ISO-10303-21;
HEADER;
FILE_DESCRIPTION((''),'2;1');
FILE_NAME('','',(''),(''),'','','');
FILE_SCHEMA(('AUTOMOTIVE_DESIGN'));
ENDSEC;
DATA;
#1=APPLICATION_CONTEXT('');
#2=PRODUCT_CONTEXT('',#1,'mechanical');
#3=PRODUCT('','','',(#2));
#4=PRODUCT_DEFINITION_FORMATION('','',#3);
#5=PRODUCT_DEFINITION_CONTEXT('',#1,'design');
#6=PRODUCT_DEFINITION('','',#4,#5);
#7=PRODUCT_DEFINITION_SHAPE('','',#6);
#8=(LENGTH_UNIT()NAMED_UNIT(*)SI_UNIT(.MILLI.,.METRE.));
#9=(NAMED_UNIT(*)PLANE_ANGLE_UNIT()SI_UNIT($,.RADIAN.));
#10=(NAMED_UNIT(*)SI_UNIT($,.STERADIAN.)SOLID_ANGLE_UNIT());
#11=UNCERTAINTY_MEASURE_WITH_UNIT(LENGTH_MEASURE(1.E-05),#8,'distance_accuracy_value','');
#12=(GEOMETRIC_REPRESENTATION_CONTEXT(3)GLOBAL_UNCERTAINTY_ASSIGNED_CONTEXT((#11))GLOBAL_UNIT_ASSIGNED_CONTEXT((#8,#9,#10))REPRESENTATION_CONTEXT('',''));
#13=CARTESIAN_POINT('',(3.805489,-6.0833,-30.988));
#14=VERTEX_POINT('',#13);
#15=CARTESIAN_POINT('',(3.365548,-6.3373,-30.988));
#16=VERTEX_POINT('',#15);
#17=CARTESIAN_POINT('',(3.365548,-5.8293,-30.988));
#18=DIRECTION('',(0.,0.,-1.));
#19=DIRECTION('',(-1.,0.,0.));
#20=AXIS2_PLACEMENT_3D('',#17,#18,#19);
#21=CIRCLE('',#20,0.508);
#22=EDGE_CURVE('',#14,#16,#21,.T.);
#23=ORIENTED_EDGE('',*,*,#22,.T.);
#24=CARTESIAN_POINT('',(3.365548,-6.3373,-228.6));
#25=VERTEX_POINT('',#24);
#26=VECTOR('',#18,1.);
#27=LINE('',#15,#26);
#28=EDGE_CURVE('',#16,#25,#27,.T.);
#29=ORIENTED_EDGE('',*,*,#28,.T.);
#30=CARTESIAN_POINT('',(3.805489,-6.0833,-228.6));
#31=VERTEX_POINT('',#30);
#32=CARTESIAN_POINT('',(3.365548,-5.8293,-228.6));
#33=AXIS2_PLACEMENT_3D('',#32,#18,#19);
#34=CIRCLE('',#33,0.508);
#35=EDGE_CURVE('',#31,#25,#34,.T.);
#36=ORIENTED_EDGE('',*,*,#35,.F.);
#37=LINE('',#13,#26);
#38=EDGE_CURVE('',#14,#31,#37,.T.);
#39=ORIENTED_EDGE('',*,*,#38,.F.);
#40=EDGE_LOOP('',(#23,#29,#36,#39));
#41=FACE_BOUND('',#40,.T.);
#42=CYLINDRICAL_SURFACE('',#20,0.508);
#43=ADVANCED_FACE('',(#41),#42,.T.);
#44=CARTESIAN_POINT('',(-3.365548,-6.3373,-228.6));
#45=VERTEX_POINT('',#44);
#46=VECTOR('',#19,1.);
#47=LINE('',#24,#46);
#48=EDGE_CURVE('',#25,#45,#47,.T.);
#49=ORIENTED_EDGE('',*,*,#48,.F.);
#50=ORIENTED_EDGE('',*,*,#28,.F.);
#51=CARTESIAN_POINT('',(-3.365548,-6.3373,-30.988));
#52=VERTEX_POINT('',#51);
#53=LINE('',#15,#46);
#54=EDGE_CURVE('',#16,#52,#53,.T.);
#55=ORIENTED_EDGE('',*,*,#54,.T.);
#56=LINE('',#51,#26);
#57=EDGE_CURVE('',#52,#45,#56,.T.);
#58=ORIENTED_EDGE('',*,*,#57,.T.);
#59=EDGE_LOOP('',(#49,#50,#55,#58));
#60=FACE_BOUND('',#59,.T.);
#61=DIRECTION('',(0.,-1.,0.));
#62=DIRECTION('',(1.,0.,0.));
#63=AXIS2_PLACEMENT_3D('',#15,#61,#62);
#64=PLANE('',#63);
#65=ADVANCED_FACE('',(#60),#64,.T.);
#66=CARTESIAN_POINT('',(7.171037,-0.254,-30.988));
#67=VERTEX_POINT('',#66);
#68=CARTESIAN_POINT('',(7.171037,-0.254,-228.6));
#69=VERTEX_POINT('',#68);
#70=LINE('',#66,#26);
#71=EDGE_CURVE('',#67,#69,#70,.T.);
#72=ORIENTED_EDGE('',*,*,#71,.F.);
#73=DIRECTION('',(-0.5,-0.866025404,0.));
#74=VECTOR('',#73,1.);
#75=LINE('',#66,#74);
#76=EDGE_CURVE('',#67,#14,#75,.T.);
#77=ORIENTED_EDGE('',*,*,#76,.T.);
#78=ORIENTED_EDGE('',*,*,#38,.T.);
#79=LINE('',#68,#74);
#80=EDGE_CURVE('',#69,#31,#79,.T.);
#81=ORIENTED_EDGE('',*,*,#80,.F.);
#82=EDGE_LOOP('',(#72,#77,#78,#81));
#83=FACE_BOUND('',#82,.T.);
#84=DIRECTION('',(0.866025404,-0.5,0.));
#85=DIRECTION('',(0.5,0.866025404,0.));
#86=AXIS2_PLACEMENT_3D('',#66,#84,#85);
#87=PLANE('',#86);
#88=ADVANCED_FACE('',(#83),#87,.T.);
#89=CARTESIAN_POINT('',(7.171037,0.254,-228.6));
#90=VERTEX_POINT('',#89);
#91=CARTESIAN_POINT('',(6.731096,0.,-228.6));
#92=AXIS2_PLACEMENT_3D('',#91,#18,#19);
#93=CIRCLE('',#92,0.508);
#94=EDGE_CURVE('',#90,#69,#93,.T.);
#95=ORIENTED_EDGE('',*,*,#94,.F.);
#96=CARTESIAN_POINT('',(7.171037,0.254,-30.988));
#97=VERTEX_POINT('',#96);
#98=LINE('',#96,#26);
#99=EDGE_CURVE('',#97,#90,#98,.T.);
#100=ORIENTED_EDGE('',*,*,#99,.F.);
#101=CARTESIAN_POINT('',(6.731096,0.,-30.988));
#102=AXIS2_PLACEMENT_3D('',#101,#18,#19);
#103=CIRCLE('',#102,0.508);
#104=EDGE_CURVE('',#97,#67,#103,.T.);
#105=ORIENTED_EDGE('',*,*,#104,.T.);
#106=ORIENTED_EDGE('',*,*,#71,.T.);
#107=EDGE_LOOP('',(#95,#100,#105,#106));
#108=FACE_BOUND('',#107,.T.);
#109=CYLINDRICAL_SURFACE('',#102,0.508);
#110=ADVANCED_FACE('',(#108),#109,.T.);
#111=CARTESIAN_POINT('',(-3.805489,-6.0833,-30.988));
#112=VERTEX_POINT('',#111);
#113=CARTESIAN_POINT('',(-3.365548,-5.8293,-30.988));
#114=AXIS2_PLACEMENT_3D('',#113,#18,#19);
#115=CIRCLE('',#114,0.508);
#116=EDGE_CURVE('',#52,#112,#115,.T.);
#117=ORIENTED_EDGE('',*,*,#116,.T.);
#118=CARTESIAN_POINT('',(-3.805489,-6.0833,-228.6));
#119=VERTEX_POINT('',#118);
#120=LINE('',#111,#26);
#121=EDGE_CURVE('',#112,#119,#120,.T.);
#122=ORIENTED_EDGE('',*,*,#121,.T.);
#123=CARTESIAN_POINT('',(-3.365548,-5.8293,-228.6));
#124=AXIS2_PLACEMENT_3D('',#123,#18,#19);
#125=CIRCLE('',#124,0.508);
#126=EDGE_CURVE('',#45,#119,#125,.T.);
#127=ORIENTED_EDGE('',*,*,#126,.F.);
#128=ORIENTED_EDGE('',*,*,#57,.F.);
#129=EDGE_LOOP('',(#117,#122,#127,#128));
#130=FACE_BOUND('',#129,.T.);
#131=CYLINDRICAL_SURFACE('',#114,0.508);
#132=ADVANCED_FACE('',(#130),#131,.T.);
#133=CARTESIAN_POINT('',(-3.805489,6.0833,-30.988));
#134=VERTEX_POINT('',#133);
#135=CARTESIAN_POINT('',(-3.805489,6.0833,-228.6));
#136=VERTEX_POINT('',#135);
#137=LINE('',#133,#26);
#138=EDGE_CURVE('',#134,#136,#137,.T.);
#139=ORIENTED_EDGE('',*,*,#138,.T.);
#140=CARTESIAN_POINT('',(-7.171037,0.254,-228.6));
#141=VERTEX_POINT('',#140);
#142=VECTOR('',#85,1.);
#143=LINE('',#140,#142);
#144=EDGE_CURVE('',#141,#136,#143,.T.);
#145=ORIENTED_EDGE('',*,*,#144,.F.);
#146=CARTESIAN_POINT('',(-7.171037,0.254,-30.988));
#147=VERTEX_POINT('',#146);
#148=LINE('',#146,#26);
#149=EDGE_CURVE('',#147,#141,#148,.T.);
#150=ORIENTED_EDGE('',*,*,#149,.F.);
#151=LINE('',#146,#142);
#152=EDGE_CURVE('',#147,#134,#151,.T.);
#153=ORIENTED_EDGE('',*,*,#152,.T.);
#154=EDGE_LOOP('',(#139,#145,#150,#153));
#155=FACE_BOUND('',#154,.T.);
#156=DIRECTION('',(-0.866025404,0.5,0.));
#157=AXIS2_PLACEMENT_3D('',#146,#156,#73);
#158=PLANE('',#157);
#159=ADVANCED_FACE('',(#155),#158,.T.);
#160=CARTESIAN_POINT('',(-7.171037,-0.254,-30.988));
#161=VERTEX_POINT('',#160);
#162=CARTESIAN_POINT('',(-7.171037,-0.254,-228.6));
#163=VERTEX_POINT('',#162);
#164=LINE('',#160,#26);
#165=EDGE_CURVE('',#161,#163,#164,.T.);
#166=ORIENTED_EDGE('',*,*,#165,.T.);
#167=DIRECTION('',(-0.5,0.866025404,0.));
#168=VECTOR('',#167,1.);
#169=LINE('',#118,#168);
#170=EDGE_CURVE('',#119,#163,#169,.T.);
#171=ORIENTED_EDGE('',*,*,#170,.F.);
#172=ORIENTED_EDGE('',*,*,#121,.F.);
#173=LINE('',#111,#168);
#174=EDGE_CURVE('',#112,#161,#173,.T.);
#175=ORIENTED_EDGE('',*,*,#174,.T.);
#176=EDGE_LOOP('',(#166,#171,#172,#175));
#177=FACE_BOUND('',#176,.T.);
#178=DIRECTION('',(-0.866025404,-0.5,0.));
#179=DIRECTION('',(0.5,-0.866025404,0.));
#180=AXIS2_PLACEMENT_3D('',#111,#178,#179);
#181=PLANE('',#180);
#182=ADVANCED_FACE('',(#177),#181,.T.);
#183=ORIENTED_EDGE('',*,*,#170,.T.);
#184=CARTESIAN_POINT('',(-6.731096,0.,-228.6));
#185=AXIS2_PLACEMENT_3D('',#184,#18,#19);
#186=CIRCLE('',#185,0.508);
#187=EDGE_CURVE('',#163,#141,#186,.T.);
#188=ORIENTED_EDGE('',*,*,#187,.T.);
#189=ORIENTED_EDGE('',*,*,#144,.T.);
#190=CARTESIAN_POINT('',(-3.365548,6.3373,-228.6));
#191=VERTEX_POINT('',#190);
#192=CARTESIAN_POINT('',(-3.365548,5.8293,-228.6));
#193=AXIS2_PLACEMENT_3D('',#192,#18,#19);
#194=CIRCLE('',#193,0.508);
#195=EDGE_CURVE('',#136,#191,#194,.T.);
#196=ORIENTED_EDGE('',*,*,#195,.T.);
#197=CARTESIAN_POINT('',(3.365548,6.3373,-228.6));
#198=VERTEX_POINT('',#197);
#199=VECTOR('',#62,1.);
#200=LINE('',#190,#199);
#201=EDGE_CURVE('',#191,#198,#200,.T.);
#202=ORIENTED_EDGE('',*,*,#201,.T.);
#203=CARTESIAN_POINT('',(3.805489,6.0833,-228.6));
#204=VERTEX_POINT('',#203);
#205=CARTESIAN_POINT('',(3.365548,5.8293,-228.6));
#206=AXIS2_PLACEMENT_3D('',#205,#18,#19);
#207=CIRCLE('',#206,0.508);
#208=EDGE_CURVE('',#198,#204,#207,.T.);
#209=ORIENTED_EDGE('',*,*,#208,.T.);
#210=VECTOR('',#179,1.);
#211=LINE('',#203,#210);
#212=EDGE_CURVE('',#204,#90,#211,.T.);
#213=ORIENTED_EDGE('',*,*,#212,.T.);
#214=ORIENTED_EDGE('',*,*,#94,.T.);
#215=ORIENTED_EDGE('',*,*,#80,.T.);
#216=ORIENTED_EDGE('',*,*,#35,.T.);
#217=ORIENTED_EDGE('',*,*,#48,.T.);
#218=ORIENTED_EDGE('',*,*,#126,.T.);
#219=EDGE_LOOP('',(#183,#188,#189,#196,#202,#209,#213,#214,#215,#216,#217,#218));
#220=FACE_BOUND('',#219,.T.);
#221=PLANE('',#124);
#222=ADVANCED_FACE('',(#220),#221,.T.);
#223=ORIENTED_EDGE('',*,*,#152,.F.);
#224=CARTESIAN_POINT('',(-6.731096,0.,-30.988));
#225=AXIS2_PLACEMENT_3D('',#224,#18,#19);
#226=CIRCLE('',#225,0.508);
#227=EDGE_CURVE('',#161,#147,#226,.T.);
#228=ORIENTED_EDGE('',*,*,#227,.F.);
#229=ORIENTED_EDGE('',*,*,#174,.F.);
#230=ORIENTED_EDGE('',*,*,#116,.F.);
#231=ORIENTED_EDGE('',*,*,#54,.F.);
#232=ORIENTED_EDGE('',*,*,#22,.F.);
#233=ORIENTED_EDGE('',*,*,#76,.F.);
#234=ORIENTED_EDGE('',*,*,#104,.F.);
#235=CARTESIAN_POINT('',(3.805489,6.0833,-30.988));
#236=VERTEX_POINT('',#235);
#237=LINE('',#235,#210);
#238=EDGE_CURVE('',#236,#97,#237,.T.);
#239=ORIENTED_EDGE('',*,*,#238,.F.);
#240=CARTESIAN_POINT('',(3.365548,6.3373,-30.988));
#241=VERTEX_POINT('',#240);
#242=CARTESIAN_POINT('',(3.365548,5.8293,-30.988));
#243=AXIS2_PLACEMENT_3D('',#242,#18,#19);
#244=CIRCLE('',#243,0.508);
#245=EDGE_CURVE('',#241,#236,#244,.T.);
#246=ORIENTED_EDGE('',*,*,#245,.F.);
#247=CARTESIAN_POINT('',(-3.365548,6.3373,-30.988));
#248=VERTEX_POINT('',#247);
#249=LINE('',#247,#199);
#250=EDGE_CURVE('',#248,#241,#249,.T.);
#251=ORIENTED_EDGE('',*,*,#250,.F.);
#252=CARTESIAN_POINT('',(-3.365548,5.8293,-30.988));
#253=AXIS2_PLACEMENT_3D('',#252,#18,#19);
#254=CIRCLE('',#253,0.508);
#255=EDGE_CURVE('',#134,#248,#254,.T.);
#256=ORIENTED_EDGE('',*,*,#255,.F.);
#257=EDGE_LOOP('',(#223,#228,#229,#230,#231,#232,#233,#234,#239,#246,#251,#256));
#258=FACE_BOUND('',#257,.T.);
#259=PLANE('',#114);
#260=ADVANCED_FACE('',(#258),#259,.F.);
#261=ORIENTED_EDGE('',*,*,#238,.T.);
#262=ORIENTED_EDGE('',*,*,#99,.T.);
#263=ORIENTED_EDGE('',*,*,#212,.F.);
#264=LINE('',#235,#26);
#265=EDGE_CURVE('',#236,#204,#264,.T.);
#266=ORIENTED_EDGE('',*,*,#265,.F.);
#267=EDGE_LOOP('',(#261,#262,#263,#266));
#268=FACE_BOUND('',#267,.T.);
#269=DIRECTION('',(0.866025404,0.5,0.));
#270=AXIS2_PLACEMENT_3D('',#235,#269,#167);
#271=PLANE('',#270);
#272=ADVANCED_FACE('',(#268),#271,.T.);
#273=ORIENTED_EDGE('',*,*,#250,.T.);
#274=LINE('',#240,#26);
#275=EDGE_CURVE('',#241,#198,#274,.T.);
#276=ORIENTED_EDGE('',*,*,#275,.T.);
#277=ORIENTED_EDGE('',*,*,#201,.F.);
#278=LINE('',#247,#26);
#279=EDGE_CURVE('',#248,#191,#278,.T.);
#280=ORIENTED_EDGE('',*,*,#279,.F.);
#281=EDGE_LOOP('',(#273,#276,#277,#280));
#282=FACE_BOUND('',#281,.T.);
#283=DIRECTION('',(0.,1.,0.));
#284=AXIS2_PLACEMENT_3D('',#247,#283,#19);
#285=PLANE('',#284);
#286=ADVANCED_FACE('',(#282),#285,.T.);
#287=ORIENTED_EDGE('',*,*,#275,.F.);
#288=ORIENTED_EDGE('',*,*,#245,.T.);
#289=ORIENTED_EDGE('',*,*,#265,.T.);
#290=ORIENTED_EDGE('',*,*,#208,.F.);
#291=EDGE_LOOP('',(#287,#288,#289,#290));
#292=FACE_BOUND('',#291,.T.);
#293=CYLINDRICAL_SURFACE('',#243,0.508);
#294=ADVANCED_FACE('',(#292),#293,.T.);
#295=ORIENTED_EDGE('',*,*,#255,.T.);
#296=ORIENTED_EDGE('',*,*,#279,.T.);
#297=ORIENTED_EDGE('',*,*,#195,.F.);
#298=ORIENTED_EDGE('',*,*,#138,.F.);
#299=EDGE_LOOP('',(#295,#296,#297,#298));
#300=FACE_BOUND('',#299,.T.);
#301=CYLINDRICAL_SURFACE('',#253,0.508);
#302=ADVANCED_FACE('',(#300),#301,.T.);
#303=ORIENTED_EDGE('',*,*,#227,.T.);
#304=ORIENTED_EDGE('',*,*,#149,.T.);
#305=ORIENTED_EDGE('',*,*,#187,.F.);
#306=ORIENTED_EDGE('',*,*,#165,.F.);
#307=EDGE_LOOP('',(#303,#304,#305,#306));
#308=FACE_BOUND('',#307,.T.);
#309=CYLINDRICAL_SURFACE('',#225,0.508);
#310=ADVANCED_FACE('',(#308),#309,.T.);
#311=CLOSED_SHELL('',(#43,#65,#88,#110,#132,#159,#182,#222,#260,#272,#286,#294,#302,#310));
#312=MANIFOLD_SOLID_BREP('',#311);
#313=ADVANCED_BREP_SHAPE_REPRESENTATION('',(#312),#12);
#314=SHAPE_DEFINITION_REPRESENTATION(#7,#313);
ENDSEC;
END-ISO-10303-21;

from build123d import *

# Parameters (mm, degrees)
BOSS_EXTRUDE1_DEPTH = 197.612


with BuildPart() as part:
    # Sketch1 → Boss-Extrude1 (new body)
    with BuildSketch(Plane(origin=(0, 0, -228.6), x_dir=(-1, 0, 0), z_dir=(0, 0, -1))):
        with BuildLine():
            Line((3.805488829, -6.0833), (7.171036753, -0.254))
            ThreePointArc((7.171036753, -0.254), (7.239095848, 0), (7.171036753, 0.254))
            Line((7.171036753, 0.254), (3.805488829, 6.0833))
            ThreePointArc((3.805488829, 6.0833), (3.619547924, 6.269240905), (3.365547924, 6.3373))
            Line((3.365547924, 6.3373), (-3.365547924, 6.3373))
            ThreePointArc((-3.365547924, 6.3373), (-3.619547924, 6.269240905), (-3.805488829, 6.0833))
            Line((-3.805488829, 6.0833), (-7.171036753, 0.254))
            ThreePointArc((-7.171036753, 0.254), (-7.239095848, 0), (-7.171036753, -0.254))
            Line((-7.171036753, -0.254), (-3.805488829, -6.0833))
            ThreePointArc((-3.805488829, -6.0833), (-3.619547924, -6.269240905), (-3.365547924, -6.3373))
            Line((-3.365547924, -6.3373), (3.365547924, -6.3373))
            ThreePointArc((3.365547924, -6.3373), (3.619547924, -6.269240905), (3.805488829, -6.0833))
        make_face()
    extrude(amount=-BOSS_EXTRUDE1_DEPTH)


solid = part.part
